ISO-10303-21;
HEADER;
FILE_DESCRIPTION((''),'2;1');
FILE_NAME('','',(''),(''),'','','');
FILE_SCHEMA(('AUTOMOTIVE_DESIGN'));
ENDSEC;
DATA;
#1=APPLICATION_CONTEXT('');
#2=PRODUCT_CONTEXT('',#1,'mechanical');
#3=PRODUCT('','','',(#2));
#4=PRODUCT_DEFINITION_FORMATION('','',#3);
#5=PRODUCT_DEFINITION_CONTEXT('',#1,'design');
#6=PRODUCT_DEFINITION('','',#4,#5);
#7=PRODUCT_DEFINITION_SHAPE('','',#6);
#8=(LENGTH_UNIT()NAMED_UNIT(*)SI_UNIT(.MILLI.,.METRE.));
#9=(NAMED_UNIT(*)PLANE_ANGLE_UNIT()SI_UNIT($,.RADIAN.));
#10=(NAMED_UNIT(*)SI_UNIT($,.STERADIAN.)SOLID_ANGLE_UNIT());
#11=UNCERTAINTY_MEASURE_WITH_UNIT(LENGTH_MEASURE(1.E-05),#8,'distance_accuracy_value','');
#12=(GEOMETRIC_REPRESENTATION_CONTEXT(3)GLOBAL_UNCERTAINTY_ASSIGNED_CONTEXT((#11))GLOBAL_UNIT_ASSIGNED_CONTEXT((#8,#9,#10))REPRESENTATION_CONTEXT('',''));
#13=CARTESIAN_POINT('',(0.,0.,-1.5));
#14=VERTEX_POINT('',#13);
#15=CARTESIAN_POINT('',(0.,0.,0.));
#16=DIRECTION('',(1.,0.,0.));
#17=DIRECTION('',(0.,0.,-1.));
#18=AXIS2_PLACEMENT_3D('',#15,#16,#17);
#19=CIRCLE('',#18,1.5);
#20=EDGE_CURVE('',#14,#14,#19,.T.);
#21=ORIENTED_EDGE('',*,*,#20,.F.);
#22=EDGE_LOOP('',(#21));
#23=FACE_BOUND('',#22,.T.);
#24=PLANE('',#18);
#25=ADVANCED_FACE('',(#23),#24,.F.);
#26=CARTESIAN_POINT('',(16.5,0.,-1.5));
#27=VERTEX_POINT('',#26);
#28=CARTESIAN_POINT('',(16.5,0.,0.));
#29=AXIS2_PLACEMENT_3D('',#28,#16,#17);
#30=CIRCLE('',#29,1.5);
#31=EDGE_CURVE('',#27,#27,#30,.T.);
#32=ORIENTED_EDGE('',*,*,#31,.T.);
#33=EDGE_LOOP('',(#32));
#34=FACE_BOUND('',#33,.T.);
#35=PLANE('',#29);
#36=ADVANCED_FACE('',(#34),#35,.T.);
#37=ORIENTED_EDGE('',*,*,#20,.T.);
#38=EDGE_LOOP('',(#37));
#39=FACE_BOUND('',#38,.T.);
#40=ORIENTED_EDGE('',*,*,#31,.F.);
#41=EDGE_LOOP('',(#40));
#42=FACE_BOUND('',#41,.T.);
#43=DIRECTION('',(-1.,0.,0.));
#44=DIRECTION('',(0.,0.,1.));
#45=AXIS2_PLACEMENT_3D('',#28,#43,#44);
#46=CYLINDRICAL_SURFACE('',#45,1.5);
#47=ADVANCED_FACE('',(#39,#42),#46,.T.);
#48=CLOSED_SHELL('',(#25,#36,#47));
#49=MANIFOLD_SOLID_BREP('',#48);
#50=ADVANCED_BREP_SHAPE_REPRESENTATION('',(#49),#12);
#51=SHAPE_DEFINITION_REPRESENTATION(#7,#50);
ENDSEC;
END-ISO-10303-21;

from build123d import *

# Parameters (mm, degrees)
SKETCH_1_R      = 1.5
EXTRUDE_1_DEPTH = 16.5


with BuildPart() as part:
    # 草图1 → 凸台-拉伸1 (new body)
    with BuildSketch(Plane(origin=(0, 0, 0), x_dir=(0, 0, -1), z_dir=(1, 0, 0))):
        Circle(SKETCH_1_R)
    extrude(amount=EXTRUDE_1_DEPTH)


solid = part.part
